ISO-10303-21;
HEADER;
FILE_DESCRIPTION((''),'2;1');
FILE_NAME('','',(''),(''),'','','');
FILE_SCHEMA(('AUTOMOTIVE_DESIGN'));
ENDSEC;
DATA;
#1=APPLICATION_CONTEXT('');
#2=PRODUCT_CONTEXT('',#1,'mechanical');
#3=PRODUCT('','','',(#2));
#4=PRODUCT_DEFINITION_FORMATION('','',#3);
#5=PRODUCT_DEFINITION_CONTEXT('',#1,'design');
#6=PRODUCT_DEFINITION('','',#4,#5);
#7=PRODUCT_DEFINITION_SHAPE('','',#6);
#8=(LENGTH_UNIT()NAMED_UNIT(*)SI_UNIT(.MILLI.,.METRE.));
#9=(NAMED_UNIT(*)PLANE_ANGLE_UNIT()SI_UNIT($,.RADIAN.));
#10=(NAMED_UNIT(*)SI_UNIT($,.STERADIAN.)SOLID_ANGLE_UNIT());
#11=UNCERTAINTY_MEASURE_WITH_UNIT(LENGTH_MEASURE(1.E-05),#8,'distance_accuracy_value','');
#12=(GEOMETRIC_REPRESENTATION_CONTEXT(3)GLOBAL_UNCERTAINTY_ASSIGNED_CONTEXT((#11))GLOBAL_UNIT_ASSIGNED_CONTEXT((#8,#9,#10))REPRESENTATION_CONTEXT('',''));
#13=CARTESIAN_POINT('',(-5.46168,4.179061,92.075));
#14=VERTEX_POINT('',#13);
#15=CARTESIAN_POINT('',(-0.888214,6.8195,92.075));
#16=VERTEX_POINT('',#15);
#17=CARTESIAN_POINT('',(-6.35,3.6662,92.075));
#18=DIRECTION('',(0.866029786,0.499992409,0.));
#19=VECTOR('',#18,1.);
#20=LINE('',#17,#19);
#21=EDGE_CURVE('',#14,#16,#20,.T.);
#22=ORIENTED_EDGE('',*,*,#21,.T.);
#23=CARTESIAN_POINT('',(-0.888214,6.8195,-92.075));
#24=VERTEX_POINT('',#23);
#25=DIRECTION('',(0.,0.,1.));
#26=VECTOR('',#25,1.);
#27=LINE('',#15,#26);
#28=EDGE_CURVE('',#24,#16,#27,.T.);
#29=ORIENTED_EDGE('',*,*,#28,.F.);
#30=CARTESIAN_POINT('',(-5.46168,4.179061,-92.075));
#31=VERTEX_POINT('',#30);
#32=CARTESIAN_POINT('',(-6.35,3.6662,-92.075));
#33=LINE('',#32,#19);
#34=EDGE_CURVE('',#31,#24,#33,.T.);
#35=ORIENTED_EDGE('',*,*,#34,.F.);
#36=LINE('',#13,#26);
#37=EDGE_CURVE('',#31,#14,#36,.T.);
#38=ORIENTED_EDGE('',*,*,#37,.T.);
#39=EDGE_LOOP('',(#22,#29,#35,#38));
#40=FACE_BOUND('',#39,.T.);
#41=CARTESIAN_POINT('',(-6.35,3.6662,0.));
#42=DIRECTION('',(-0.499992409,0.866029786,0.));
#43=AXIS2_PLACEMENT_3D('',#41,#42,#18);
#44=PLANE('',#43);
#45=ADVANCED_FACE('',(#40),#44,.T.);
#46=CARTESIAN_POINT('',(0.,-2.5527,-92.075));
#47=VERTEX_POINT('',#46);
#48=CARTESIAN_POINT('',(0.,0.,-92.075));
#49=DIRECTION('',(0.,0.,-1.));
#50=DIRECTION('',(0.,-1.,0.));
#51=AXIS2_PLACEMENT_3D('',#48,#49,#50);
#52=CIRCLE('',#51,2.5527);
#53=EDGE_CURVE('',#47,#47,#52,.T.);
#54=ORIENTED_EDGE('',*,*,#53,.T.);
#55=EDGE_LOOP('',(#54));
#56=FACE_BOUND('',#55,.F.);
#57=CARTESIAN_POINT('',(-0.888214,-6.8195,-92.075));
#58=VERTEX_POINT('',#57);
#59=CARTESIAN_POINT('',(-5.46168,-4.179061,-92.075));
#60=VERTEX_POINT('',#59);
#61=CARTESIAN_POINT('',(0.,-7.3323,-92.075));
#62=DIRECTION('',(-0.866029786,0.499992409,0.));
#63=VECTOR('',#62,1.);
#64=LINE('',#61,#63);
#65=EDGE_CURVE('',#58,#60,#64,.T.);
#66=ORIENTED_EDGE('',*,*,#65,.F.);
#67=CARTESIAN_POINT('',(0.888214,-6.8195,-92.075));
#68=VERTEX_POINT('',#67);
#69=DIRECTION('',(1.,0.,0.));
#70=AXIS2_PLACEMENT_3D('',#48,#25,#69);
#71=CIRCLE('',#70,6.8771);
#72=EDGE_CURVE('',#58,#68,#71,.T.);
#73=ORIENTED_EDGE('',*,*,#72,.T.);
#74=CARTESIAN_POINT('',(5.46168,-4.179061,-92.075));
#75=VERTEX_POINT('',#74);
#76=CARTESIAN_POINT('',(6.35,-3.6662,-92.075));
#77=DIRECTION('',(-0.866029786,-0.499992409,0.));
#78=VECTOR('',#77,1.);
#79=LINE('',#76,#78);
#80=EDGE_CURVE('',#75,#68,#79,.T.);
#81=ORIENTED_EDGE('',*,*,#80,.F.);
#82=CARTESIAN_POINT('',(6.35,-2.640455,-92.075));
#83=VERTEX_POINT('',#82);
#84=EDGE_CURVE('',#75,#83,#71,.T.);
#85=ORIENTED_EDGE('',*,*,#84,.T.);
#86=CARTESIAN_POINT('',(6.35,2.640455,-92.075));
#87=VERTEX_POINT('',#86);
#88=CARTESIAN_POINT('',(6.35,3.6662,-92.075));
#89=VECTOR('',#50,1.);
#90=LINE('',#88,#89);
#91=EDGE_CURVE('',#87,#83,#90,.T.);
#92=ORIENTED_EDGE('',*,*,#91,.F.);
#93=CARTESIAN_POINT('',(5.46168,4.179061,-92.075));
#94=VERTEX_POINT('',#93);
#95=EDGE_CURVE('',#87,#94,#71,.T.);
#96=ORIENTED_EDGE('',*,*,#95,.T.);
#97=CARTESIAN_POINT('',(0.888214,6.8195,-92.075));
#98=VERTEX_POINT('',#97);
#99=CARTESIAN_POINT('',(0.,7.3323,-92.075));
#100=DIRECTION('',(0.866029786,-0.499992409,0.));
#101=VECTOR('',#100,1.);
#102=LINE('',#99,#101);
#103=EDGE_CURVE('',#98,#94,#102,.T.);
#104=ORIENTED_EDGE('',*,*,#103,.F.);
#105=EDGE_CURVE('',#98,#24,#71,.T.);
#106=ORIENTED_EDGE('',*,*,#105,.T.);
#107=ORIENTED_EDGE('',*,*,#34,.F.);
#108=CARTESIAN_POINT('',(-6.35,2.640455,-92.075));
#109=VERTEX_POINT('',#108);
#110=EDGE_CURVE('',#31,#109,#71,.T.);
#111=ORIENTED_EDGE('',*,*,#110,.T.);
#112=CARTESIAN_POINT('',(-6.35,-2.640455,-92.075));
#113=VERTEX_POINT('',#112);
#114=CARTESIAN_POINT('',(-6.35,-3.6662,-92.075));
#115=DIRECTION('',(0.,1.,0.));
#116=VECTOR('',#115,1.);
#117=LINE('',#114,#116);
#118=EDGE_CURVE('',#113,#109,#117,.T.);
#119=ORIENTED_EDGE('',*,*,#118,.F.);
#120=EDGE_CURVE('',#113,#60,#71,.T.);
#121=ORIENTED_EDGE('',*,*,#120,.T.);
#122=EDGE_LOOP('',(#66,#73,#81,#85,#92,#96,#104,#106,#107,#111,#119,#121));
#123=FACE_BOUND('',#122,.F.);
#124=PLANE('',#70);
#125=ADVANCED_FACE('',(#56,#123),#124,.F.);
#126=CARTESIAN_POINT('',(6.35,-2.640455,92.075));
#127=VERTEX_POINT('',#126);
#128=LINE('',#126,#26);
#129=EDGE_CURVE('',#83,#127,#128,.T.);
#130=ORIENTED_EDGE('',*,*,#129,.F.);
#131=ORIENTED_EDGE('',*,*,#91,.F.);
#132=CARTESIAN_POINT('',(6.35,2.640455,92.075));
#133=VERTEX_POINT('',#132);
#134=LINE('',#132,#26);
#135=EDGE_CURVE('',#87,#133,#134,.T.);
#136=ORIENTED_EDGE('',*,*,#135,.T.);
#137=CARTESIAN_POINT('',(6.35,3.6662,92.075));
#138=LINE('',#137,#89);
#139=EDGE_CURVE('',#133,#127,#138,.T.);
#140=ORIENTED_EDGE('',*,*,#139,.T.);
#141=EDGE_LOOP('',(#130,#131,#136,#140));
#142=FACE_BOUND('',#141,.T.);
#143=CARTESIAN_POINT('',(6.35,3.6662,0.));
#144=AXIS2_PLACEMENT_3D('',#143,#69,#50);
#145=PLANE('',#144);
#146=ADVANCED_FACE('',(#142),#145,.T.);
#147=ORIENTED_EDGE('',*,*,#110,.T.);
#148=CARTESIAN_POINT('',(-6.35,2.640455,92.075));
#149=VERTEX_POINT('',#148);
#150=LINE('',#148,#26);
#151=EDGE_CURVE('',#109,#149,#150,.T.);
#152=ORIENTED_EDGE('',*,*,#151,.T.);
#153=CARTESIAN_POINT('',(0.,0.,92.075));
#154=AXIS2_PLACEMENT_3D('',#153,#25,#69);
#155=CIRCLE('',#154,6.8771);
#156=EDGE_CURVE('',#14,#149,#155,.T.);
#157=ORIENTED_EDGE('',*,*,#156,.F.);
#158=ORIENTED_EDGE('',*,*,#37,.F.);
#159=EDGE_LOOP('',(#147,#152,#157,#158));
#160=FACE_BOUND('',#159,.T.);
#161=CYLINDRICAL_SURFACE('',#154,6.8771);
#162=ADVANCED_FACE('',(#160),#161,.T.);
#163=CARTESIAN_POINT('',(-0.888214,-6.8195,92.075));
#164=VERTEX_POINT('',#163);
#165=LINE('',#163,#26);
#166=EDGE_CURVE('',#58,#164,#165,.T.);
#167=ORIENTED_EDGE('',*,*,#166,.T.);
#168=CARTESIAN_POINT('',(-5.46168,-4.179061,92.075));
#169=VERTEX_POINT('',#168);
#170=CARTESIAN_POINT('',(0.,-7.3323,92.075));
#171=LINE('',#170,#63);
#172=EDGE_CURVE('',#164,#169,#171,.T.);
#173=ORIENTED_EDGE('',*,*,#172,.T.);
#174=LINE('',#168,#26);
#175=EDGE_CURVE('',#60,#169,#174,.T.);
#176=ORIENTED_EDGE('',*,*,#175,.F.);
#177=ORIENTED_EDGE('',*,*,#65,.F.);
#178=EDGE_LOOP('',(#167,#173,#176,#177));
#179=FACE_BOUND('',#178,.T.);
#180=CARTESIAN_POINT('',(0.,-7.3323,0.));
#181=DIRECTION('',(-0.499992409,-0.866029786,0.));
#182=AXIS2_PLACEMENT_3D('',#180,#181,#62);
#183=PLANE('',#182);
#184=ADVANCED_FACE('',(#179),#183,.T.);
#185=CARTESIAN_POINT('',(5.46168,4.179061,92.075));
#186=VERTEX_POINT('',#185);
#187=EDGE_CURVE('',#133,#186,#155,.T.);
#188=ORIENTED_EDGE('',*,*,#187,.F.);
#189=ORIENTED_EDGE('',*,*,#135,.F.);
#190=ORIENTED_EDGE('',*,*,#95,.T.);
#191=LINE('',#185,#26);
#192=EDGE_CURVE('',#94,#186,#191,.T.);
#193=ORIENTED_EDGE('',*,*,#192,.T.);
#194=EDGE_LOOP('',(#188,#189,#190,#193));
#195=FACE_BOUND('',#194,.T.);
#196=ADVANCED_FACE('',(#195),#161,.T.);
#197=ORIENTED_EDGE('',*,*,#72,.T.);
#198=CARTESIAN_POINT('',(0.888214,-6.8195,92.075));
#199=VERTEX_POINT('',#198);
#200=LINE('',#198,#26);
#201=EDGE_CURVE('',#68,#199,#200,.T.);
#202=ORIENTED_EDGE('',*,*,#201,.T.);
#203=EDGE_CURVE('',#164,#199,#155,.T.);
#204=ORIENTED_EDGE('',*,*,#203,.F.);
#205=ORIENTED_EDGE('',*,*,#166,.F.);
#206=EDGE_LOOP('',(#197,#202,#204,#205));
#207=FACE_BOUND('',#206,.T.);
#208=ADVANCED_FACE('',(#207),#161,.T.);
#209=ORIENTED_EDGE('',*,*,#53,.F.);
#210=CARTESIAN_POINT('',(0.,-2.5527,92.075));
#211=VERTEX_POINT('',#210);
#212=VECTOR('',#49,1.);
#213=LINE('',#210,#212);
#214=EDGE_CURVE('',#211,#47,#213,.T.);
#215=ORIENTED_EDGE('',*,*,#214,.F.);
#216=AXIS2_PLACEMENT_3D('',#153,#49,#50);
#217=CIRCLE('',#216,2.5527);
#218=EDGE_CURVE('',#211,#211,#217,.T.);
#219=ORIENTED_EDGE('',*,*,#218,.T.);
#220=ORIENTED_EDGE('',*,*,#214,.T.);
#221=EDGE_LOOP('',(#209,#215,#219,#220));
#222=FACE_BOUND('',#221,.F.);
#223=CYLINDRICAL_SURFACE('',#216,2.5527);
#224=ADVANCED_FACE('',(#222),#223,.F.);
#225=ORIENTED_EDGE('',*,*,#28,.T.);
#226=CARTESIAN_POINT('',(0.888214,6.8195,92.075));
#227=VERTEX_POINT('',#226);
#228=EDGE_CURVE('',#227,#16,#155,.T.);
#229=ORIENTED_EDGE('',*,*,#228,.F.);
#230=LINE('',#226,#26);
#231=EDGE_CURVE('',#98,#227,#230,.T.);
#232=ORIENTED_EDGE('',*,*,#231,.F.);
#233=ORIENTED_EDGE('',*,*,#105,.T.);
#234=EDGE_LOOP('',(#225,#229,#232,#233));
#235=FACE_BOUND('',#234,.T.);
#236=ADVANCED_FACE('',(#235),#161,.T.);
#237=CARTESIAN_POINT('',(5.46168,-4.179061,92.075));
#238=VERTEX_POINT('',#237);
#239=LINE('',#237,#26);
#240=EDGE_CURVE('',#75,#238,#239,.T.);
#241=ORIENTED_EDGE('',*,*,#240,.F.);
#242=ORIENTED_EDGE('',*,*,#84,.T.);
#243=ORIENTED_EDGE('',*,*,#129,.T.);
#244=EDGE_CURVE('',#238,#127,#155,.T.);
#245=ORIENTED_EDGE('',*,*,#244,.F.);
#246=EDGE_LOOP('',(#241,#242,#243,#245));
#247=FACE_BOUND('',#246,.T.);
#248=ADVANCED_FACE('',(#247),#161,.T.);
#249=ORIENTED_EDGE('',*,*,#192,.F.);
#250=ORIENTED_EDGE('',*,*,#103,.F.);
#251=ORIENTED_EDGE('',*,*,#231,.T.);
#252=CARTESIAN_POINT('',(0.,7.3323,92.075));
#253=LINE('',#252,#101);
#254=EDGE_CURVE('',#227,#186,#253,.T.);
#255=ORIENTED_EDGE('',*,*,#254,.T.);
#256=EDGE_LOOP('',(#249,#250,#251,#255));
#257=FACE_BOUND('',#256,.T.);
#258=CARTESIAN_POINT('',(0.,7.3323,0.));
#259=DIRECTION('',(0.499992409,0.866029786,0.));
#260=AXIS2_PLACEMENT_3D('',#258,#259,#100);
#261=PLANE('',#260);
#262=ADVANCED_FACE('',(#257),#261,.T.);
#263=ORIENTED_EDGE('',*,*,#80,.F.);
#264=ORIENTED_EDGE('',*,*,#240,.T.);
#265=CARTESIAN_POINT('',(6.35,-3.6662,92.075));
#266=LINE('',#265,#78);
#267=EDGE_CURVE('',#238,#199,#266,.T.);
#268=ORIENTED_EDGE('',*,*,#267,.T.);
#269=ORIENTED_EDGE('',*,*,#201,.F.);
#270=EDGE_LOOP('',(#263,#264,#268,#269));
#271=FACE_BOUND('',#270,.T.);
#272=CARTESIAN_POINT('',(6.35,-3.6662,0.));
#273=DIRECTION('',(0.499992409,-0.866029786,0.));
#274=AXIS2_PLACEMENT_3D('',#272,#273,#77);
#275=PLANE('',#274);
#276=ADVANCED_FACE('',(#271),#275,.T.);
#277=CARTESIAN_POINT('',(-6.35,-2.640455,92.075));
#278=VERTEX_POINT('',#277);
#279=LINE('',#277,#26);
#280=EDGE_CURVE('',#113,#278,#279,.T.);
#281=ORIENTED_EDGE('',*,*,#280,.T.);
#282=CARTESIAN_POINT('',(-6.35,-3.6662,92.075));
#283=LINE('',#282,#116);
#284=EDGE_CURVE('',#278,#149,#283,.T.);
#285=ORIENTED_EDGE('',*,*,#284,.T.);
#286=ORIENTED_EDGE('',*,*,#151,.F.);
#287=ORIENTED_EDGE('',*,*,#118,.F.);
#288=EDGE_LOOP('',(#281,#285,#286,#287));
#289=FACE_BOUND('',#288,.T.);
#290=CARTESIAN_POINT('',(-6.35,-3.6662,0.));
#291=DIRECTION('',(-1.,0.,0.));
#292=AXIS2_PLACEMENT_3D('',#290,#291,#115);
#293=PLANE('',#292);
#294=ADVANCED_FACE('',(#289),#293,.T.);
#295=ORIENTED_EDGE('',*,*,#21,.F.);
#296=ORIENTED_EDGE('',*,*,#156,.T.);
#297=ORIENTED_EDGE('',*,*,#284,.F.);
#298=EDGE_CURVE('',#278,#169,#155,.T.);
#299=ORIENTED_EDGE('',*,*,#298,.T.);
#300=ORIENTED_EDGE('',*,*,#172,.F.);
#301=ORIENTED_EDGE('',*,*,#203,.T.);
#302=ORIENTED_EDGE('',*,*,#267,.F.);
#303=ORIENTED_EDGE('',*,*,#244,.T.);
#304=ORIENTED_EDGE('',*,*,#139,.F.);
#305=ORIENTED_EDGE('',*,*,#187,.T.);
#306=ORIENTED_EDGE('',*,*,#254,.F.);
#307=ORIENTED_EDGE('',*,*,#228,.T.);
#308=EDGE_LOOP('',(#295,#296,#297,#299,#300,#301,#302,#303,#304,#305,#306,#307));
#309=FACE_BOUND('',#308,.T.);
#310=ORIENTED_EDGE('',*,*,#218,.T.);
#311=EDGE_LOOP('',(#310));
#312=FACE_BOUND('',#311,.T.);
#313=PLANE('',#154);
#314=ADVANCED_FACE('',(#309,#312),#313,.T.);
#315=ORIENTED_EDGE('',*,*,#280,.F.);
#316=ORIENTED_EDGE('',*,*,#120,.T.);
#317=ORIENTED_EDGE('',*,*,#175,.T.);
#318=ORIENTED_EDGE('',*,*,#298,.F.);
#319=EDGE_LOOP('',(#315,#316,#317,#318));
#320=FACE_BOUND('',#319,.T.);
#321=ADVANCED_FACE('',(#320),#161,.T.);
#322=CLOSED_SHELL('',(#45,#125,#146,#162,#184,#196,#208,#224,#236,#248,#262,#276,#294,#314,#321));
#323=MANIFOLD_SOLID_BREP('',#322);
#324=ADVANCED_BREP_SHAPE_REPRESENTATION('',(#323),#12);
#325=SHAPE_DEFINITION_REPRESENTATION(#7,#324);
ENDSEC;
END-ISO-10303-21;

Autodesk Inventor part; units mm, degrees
ref_plane "YZ Plane" through (0, 0, 0) normal (1, 0, 0) x (0, 1, 0)
ref_plane "XZ Plane" through (0, 0, 0) normal (0, 1, 0) x (-1, 0, 0)
ref_plane "XY Plane" through (0, 0, 0) normal (0, 0, 1) x (1, 0, 0)
sketch "Sketch1" plane through (0, 0, 0) normal (0, 0, 1) x (1, 0, 0)
  line L0 (-6.35, -3.6662) -> (-6.35, 3.6662)
  line L1 (-6.35, 3.6662) -> (0, 7.3323)
  line L2 (0, 7.3323) -> (6.35, 3.6662)
  line L3 (6.35, 3.6662) -> (6.35, -3.6662)
  line L4 (6.35, -3.6662) -> (0, -7.3323)
  line L5 (0, -7.3323) -> (-6.35, -3.6662)
  point P0 (0, 0)
  point P1 (0, 0)
  dimension "Size" = 12.7
extrude "Extrusion1" add sketch "Sketch1" along normal mid plane 184.15
sketch "Sketch3" plane through (0, 0, 92.075) normal (0, 0, 1) x (1, 0, 0)
  line L0 (-6.35, 3.6662) -> (0, 7.3323) construction
  line L1 (0, 7.3323) -> (6.35, 3.6662) construction
  line L2 (6.35, 3.6662) -> (6.35, -3.6662) construction
  line L3 (6.35, -3.6662) -> (0, -7.3323) construction
  line L4 (0, -7.3323) -> (-6.35, -3.6662) construction
  line L5 (-6.35, -3.6662) -> (-6.35, 3.6662) construction
  point P0 (0, 0)
hole "Hole1" at (0, 0, 92.075) direction (0, 0, -1) diameter 5.1054 end through all
sketch "Sketch4" plane through (0, 0, 92.075) normal (0, 0, 1) x (1, 0, 0)
  circle A0 centre (0, 0) radius 2.5527 construction
  line L0 (-6.35, 3.6662) -> (0, 7.3323) construction
  line L1 (0, 7.3323) -> (6.35, 3.6662) construction
  line L2 (6.35, 3.6662) -> (6.35, -3.6662) construction
  line L3 (6.35, -3.6662) -> (0, -7.3323) construction
  line L4 (0, -7.3323) -> (-6.35, -3.6662) construction
  line L5 (-6.35, -3.6662) -> (-6.35, 3.6662) construction
  circle A1 centre (0, 0) radius 6.8771
  circle A2 centre (0, 0) radius 8.89
  dimension "thunder" = 13.7541
  dimension "d16" = 17.78
extrude "Extrusion3" cut sketch "Sketch4" against normal through all
equation "\"bearing\" = 25.4"
properties part number "GP5-024" material "Aluminum 6061"
